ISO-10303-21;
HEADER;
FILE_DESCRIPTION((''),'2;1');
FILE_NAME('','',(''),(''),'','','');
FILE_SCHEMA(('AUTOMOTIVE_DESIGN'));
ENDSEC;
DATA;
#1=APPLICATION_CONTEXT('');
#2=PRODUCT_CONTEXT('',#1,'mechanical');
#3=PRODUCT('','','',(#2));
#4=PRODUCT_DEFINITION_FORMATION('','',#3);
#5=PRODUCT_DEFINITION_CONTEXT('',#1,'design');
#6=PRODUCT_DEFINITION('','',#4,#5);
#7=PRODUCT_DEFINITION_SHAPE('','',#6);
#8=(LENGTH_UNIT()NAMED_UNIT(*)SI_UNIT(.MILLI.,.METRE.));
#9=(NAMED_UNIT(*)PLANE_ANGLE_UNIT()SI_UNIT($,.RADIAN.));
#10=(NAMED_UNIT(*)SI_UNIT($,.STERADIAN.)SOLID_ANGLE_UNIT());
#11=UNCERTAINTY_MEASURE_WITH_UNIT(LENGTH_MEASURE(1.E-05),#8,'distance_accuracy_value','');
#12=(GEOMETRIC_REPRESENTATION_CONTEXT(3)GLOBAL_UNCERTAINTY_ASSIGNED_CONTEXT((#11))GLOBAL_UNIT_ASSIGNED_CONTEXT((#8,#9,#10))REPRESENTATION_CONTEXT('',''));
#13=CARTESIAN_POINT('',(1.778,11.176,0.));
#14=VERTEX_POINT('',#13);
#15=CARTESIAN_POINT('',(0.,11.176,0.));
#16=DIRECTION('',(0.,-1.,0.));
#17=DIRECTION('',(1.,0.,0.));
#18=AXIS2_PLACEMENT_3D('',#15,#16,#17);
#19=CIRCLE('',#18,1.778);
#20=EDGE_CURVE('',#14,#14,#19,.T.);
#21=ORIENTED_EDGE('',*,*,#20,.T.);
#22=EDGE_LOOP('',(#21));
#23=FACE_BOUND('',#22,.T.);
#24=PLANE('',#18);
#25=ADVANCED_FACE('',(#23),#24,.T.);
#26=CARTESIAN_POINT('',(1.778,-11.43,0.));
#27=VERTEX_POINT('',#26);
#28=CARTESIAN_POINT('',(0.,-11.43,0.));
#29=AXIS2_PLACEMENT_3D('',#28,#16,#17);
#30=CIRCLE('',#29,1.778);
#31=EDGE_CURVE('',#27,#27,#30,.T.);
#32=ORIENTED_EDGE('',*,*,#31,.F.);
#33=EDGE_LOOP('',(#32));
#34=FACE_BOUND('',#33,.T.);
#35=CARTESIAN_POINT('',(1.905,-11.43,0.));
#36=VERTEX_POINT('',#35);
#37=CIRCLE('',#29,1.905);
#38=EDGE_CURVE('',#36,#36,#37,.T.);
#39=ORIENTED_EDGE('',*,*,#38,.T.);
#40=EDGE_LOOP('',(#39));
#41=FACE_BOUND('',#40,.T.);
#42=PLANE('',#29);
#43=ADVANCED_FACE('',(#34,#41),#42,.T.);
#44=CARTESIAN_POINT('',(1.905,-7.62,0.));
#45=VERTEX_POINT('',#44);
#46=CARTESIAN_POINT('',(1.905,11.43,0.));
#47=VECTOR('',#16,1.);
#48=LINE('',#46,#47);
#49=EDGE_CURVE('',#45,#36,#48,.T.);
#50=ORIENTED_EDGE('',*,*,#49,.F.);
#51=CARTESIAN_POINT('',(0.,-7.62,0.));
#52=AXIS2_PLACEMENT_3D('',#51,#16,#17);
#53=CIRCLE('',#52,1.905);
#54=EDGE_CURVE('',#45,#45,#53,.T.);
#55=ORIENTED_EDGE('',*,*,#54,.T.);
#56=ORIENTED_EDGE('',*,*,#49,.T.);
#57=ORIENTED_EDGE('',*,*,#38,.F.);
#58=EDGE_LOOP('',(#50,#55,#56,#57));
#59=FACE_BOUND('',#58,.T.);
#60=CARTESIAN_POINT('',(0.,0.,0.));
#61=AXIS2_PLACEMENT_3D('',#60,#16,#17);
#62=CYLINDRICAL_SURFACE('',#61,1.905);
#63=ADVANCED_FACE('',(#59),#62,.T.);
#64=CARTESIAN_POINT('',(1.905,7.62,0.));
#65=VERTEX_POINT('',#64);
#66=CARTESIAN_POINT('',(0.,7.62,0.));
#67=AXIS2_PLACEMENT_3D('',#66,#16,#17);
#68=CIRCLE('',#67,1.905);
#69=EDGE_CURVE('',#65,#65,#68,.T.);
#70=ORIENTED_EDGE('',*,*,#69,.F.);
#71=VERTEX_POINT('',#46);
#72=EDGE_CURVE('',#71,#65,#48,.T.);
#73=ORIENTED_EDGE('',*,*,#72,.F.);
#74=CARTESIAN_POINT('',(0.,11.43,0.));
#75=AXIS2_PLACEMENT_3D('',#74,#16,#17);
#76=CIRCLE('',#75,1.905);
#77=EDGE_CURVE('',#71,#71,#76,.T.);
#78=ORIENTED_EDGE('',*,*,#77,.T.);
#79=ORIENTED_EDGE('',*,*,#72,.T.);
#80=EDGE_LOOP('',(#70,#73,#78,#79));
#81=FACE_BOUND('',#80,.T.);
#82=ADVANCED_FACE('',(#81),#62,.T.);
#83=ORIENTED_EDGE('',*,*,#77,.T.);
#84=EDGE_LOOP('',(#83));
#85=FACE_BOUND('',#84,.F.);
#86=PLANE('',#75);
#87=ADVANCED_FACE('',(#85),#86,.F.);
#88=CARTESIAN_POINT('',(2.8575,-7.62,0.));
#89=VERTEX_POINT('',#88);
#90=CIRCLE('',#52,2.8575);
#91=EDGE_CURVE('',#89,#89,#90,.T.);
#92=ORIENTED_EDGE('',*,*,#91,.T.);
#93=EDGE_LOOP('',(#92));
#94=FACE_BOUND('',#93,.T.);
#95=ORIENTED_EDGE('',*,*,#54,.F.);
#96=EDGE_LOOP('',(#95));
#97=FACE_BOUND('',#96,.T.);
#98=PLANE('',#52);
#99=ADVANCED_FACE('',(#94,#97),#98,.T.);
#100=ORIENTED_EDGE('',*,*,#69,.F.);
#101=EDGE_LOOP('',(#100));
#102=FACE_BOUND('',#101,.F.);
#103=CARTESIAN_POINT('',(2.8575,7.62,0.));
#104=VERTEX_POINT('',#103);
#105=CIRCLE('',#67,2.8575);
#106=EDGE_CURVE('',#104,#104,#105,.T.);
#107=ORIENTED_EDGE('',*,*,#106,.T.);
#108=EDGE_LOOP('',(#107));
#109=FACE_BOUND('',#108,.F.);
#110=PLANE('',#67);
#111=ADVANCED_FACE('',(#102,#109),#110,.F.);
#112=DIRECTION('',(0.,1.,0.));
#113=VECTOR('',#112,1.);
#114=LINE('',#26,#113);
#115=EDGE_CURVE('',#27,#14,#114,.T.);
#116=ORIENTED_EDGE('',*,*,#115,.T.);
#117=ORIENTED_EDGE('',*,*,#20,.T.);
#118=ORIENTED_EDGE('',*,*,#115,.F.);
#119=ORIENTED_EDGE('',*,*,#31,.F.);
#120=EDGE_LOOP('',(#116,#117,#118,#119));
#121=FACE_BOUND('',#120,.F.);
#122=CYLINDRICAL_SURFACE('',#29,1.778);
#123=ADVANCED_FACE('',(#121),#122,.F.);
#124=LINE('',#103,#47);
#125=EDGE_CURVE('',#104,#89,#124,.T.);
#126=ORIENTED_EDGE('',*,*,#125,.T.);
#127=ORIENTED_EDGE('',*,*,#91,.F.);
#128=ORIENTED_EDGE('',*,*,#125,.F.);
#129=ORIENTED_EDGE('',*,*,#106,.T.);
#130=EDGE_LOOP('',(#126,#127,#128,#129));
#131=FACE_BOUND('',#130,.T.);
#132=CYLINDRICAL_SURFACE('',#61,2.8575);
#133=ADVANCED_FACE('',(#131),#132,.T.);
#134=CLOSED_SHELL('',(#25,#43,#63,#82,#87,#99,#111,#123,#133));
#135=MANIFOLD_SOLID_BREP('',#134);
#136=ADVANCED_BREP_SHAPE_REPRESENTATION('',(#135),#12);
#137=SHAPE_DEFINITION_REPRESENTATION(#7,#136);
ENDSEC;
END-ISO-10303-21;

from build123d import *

# Parameters (mm, degrees)
F0_R     = 2.8575
F1_DEPTH = 7.62
F2_R     = 1.905
F3_DEPTH = 11.43
F4_R     = 1.778
F5_DEPTH = 22.606


with BuildPart() as f1:
    # F0 (on Front) → F1 (new body, symmetric)
    with BuildSketch(Plane.XZ):
        Circle(F0_R)
    extrude(amount=F1_DEPTH, both=True)

    # F2 (on Front) → F3 (join, symmetric)
    with BuildSketch(Plane.XZ):
        Circle(F2_R)
    extrude(amount=F3_DEPTH, both=True)

    # F4 (on face) → F5 (cut)
    with BuildSketch(Plane.XZ.offset(11.43)):
        Circle(F4_R)
    extrude(amount=-F5_DEPTH, mode=Mode.SUBTRACT)


solid = f1.part
